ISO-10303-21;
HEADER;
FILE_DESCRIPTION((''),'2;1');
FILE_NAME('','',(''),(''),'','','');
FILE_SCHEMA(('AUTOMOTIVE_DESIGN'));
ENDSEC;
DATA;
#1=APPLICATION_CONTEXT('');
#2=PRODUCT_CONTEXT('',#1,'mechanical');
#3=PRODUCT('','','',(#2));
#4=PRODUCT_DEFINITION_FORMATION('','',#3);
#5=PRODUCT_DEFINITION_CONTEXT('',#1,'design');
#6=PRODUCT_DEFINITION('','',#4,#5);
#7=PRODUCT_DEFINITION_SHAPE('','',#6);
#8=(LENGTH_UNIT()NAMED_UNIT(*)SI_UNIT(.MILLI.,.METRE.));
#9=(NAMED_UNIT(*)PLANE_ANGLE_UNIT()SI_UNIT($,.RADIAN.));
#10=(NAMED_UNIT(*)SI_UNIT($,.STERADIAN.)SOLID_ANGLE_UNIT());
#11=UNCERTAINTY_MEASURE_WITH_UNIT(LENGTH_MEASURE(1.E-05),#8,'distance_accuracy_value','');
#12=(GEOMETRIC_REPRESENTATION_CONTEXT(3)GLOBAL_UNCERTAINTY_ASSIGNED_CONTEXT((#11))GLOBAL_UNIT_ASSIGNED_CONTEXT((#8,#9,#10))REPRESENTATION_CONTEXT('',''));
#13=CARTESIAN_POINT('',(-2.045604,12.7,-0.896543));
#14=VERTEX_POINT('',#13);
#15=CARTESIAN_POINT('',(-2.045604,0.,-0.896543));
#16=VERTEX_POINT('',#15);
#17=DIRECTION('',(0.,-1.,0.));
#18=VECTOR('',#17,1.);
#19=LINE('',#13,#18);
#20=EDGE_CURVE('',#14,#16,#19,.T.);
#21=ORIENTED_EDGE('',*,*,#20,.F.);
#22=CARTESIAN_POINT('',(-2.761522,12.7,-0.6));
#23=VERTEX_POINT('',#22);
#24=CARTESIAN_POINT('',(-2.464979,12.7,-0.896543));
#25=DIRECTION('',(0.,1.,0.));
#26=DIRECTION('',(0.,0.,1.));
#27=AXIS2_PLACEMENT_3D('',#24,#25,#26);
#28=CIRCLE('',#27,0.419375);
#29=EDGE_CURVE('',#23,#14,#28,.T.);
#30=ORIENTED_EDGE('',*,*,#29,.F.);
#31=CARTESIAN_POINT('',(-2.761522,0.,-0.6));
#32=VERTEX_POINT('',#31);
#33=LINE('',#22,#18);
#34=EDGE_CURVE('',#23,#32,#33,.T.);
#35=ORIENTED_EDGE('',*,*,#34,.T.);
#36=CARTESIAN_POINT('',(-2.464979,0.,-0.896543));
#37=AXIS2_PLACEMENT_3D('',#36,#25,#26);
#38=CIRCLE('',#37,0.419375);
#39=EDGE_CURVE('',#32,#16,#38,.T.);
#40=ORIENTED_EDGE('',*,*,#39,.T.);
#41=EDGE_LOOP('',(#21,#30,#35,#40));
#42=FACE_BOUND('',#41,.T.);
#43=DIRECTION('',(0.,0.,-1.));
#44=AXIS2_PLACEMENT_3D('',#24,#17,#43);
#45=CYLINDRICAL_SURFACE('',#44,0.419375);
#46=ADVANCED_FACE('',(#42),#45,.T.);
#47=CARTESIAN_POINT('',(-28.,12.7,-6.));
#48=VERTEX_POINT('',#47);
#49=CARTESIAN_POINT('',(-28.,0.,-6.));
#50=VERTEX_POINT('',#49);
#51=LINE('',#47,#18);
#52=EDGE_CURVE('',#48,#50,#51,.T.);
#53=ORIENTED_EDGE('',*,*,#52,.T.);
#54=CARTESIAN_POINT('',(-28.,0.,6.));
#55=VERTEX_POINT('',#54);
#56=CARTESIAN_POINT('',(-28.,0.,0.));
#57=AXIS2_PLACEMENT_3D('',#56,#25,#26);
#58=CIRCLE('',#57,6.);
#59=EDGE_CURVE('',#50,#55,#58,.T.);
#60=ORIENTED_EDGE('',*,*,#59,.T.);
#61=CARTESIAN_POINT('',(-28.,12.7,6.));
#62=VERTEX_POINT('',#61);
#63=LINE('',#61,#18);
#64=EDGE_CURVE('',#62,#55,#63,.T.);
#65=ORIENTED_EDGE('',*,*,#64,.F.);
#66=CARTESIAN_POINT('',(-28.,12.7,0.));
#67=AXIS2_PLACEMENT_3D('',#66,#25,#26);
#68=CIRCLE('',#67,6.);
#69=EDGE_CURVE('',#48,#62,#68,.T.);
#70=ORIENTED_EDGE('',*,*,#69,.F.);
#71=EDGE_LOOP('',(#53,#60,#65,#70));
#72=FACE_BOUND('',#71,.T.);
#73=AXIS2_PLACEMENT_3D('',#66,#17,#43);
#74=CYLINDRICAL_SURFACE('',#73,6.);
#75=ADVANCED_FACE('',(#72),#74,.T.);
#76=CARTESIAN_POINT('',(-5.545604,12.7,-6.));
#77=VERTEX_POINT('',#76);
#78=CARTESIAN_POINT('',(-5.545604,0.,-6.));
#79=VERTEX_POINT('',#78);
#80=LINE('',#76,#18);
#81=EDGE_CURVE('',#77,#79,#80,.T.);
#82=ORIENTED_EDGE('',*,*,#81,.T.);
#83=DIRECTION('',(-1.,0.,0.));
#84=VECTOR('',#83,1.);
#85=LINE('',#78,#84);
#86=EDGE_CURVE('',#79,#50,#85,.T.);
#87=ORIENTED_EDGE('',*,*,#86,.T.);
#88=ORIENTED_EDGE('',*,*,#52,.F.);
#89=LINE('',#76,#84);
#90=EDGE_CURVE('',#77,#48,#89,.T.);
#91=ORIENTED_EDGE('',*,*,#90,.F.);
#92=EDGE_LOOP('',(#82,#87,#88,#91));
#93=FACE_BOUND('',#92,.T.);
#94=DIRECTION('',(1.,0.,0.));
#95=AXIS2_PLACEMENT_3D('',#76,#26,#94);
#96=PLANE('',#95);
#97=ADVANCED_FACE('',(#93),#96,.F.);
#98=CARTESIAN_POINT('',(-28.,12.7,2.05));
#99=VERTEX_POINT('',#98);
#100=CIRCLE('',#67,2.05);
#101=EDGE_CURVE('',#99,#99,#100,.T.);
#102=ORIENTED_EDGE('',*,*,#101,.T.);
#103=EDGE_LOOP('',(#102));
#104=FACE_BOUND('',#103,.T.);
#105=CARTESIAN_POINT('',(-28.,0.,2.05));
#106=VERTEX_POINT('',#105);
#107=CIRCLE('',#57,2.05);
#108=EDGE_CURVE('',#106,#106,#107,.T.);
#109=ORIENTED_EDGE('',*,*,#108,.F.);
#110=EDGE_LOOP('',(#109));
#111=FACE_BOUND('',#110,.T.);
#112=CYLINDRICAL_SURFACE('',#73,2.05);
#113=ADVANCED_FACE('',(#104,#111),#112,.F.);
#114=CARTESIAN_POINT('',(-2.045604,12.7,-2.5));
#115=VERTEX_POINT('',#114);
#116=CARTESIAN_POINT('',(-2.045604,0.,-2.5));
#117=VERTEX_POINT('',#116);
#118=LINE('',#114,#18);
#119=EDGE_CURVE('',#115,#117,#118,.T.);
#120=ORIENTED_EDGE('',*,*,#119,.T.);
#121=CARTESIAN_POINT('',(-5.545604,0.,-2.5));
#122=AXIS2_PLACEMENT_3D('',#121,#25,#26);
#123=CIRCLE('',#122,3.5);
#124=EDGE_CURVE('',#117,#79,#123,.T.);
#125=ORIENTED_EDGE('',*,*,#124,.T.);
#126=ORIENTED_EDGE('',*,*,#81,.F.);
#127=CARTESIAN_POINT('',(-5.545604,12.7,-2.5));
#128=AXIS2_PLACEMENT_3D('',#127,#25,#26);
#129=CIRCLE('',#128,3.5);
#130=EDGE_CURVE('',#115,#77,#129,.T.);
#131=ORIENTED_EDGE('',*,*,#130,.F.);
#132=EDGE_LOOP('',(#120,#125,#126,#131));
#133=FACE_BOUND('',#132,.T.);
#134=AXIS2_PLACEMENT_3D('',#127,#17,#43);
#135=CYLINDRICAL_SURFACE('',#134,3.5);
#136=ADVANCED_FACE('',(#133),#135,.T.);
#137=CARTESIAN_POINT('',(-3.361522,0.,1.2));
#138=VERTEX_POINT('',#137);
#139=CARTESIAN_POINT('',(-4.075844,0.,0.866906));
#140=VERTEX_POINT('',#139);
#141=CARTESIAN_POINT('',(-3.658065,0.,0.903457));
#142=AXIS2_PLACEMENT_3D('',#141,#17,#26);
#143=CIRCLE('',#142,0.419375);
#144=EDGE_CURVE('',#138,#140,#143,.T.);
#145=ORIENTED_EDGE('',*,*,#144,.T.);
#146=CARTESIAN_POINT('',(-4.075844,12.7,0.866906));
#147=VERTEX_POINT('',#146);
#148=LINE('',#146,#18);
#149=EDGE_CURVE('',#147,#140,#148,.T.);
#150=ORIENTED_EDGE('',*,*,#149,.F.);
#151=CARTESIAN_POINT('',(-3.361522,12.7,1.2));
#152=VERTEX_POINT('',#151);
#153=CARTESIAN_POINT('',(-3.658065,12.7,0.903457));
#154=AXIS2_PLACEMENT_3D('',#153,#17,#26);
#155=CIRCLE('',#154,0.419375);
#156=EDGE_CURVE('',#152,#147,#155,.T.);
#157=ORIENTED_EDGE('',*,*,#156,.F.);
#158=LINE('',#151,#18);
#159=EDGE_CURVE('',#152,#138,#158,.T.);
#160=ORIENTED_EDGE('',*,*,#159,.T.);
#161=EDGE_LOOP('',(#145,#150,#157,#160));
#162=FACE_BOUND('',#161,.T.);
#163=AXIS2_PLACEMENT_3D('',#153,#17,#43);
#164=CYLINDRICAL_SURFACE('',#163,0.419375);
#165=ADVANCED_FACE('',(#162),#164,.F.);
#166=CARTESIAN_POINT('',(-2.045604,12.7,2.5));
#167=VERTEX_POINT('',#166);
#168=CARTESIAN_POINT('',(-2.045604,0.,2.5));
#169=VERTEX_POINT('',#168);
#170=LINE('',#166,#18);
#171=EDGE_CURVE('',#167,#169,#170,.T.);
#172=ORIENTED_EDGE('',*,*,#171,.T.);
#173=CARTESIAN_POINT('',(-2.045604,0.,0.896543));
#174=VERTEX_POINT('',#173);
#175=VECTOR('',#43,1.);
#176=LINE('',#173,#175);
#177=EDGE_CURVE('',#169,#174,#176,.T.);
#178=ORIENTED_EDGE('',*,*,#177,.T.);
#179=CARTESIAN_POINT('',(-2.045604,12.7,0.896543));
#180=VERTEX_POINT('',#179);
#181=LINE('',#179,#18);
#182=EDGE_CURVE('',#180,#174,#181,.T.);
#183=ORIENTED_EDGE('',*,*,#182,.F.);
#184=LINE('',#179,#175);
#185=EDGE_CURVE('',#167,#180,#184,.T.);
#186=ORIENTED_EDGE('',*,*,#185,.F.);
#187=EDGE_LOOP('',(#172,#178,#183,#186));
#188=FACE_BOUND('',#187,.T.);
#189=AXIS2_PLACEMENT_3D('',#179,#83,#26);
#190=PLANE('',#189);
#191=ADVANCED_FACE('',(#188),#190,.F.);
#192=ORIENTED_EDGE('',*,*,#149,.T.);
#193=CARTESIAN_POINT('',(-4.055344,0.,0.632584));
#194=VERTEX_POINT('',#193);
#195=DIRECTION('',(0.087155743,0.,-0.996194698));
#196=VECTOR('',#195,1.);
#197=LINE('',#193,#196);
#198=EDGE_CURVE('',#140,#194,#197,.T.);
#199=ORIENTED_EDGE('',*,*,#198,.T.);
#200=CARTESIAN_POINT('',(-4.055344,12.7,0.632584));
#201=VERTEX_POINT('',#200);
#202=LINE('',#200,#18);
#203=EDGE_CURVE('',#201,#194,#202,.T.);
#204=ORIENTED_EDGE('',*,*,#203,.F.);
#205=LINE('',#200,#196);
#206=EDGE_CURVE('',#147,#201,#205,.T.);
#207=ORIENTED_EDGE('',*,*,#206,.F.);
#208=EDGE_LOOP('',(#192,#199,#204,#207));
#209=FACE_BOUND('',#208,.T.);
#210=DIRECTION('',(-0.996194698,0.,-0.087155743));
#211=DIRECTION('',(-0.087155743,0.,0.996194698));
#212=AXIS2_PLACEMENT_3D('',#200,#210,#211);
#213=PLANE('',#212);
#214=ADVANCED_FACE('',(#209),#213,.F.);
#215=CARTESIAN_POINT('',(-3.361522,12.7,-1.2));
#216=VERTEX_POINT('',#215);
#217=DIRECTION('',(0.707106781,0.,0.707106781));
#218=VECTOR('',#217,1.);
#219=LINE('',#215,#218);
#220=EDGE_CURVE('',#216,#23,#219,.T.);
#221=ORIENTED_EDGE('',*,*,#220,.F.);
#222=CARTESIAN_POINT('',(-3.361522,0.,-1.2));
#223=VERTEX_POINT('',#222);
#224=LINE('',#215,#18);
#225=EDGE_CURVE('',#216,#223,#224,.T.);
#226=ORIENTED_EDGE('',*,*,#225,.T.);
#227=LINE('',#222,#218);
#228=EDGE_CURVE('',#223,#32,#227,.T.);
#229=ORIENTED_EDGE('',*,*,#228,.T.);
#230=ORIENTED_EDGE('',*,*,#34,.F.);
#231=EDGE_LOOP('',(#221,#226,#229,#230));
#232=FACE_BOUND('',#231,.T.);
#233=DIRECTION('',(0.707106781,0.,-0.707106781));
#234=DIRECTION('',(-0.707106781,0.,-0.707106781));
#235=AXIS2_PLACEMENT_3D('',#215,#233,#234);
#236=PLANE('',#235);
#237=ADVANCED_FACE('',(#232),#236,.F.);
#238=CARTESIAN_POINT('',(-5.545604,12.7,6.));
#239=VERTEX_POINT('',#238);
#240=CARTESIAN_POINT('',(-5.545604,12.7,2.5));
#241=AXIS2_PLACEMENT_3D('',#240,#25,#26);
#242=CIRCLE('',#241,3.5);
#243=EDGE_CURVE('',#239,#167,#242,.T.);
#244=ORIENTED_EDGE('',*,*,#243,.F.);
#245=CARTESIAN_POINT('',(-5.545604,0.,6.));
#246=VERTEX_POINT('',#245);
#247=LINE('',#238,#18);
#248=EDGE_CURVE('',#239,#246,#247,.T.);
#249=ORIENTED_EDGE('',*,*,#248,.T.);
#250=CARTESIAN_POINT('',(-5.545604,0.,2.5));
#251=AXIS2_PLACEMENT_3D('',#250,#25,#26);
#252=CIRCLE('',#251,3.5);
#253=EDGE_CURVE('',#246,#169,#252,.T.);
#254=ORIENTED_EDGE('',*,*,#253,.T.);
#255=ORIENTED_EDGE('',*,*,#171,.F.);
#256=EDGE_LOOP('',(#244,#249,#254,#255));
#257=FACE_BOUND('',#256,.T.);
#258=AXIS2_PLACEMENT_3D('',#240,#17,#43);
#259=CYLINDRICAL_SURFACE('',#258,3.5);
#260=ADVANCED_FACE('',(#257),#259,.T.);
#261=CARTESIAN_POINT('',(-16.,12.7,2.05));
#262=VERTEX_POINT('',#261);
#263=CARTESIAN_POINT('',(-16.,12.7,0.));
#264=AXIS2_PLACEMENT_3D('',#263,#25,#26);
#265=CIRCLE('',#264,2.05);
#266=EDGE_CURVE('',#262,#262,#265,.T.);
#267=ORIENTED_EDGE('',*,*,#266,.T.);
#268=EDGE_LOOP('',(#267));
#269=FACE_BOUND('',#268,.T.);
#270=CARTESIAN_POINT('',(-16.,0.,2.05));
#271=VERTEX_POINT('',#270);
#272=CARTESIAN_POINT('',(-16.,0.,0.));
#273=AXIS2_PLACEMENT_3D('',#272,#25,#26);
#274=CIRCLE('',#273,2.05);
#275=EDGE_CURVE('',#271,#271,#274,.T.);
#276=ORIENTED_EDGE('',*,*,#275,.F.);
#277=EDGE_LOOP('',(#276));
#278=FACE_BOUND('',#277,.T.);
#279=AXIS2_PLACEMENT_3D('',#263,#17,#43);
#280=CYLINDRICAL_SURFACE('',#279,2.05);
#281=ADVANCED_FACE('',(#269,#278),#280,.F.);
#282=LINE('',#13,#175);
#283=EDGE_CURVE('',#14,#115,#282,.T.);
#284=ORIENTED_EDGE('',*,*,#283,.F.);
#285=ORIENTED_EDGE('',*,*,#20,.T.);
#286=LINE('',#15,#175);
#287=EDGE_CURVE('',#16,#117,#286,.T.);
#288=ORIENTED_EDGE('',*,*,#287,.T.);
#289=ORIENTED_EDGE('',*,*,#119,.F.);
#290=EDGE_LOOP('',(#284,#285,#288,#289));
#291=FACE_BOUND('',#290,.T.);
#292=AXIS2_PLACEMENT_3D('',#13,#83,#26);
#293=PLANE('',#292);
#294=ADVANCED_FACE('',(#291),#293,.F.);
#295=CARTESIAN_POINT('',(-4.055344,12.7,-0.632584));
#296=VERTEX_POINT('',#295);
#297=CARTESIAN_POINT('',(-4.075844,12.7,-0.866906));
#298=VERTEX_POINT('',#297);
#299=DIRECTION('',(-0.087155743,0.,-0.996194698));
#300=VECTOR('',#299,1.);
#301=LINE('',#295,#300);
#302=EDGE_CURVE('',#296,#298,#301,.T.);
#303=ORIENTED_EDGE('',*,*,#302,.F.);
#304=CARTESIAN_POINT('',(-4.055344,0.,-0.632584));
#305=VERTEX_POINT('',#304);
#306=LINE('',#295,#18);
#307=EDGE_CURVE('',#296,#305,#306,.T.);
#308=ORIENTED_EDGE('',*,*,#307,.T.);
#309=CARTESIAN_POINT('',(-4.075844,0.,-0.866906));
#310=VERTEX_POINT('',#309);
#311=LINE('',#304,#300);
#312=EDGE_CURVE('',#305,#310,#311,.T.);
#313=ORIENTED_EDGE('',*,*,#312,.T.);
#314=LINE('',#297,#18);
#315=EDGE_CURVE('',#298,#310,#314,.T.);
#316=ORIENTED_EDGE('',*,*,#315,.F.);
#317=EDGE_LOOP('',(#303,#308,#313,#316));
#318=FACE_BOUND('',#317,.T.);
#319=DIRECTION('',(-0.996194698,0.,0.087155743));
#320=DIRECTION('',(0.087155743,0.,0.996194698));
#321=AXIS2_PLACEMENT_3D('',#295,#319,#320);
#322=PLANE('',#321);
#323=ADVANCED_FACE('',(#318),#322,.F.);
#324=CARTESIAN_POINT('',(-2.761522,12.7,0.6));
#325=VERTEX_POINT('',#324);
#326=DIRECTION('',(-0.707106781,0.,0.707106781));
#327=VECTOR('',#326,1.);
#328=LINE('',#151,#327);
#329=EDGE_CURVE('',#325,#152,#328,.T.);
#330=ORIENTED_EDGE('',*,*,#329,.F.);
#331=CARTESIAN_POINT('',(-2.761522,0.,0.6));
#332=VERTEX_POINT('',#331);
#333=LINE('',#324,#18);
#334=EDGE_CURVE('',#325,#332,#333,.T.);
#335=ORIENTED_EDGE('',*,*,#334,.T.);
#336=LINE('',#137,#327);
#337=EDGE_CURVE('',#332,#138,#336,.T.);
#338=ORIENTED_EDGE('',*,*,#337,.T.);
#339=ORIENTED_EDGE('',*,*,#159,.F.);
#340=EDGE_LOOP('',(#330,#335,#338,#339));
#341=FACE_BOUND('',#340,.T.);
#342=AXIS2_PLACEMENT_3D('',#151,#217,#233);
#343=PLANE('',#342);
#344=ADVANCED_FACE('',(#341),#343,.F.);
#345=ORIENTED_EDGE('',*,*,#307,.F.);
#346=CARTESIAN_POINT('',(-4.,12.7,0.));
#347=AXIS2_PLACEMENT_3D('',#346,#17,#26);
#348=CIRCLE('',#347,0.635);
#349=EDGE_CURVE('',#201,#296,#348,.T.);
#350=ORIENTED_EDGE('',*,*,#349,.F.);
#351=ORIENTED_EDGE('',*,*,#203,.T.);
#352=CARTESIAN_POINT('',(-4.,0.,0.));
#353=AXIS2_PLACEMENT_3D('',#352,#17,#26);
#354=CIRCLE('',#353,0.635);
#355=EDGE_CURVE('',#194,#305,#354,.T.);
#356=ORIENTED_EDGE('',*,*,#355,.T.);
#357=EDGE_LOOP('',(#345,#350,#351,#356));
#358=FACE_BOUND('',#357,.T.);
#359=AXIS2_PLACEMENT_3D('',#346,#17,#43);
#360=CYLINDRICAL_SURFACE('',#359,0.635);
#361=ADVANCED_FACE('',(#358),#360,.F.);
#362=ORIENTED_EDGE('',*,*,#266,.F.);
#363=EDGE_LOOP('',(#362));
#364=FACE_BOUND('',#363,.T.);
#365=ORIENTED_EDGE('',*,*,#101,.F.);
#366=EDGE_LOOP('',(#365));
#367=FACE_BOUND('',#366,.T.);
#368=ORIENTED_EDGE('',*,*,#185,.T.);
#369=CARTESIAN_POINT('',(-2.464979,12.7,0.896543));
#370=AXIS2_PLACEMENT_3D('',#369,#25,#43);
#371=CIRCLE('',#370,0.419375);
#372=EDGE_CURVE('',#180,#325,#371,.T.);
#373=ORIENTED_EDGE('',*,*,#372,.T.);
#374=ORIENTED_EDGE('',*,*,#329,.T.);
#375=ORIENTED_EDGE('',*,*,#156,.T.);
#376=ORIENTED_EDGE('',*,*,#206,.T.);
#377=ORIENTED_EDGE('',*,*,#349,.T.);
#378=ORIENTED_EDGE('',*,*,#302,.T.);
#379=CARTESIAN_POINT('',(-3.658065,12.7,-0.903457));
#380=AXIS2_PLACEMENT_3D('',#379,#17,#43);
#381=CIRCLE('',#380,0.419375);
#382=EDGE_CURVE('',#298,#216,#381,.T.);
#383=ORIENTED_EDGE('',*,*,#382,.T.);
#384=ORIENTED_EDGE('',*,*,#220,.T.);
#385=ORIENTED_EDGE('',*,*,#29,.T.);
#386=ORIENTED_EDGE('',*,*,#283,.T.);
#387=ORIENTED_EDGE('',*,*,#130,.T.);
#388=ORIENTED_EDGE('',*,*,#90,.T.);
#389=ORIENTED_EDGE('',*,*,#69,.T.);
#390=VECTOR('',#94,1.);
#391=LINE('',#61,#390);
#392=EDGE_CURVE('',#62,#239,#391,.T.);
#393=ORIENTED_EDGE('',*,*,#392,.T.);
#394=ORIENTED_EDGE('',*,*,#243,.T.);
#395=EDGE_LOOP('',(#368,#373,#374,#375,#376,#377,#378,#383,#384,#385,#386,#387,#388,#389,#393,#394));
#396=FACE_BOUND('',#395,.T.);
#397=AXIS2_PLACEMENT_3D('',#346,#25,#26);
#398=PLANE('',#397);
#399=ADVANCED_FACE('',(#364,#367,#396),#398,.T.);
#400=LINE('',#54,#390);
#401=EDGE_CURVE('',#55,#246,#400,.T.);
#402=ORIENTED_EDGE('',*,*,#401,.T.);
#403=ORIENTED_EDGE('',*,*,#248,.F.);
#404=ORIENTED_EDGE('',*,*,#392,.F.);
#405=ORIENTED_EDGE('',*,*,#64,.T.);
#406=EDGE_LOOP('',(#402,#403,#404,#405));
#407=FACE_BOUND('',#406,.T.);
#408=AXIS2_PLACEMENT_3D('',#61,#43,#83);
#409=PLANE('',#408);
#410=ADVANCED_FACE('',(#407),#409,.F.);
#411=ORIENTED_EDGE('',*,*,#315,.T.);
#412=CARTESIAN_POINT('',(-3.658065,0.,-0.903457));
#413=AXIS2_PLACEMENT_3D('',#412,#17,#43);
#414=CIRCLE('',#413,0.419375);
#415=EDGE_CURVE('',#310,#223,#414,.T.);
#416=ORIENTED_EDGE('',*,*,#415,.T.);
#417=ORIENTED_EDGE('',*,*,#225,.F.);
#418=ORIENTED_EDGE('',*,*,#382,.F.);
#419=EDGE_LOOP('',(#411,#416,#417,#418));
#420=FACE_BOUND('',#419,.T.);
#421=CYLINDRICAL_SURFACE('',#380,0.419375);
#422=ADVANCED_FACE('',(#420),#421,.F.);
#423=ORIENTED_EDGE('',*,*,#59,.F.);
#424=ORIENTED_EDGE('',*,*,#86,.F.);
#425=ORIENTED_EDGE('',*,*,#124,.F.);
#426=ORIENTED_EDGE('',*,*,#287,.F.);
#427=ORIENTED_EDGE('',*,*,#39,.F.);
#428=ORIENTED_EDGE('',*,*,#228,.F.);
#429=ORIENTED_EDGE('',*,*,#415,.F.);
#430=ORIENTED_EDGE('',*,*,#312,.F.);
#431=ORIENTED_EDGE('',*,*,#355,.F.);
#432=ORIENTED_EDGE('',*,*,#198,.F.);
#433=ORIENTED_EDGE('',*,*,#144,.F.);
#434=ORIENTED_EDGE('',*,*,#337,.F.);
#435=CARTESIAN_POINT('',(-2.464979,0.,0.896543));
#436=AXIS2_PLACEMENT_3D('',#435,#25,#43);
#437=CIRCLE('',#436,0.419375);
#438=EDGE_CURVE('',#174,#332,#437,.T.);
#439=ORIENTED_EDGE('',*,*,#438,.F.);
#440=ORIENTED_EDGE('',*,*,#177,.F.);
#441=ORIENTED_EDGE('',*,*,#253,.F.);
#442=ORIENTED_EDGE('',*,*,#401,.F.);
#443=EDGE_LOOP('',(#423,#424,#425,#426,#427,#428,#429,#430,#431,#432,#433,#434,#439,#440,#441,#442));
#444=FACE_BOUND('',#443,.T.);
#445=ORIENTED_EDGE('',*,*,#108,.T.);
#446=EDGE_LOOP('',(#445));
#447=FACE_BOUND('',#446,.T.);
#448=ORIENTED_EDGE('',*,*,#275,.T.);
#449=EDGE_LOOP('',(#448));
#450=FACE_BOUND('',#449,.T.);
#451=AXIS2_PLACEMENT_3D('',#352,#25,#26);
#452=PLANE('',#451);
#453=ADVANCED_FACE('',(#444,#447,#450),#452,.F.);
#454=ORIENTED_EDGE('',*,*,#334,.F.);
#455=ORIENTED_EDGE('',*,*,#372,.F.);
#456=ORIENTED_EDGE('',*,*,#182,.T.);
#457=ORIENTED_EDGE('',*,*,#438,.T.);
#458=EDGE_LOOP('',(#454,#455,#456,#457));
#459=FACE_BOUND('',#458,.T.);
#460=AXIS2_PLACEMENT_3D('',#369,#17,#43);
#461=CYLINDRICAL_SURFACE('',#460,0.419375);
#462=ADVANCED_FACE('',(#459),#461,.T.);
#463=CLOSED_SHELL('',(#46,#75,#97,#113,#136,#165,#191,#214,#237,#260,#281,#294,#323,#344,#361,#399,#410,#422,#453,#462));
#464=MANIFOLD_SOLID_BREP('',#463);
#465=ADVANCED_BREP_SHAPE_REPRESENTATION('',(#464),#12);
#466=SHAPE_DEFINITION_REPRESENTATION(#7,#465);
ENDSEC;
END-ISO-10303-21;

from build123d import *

# Parameters (mm, degrees)
SKETCH1_R           = 2.05
BOSS_EXTRUDE1_DEPTH = 12.7


with BuildPart() as part:
    # Sketch1 → Boss-Extrude1 (new body)
    with BuildSketch(Plane(origin=(0, 0, 0), x_dir=(1, 0, 0), z_dir=(0, 1, 0))):
        with BuildLine():
            Line((-4.055343897, 0.632583633), (-4.075844459, 0.866906139))
            ThreePointArc((-4.075844459, 0.866906139), (-3.83530083, 1.283539926), (-3.361522369, 1.2))
            Line((-3.361522369, 1.2), (-2.761522369, 0.6))
            ThreePointArc((-2.761522369, 0.6), (-2.304491577, 0.509090923), (-2.04560443, 0.89654292))
            Line((-2.04560443, 0.89654292), (-2.04560443, 2.5))
            ThreePointArc((-2.04560443, 2.5), (-3.070730696, 4.974873734), (-5.54560443, 6))
            Line((-5.54560443, 6), (-28, 6))
            ThreePointArc((-28, 6), (-34, 0), (-28, -6))
            Line((-28, -6), (-5.54560443, -6))
            ThreePointArc((-5.54560443, -6), (-3.070730696, -4.974873734), (-2.04560443, -2.5))
            Line((-2.04560443, -2.5), (-2.04560443, -0.89654292))
            ThreePointArc((-2.04560443, -0.89654292), (-2.304491577, -0.509090923), (-2.761522369, -0.6))
            Line((-2.761522369, -0.6), (-3.361522369, -1.2))
            ThreePointArc((-3.361522369, -1.2), (-3.83530083, -1.283539926), (-4.075844459, -0.866906139))
            Line((-4.075844459, -0.866906139), (-4.055343897, -0.632583633))
            ThreePointArc((-4.055343897, -0.632583633), (-4.635, 0), (-4.055343897, 0.632583633))
        make_face()
        with Locations(Location((-16, 0, 0), (0, 0, 270))):
            Circle(SKETCH1_R, mode=Mode.SUBTRACT)
        with Locations(Location((-28, 0, 0), (0, 0, 270))):
            Circle(SKETCH1_R, mode=Mode.SUBTRACT)
    extrude(amount=BOSS_EXTRUDE1_DEPTH)


solid = part.part
